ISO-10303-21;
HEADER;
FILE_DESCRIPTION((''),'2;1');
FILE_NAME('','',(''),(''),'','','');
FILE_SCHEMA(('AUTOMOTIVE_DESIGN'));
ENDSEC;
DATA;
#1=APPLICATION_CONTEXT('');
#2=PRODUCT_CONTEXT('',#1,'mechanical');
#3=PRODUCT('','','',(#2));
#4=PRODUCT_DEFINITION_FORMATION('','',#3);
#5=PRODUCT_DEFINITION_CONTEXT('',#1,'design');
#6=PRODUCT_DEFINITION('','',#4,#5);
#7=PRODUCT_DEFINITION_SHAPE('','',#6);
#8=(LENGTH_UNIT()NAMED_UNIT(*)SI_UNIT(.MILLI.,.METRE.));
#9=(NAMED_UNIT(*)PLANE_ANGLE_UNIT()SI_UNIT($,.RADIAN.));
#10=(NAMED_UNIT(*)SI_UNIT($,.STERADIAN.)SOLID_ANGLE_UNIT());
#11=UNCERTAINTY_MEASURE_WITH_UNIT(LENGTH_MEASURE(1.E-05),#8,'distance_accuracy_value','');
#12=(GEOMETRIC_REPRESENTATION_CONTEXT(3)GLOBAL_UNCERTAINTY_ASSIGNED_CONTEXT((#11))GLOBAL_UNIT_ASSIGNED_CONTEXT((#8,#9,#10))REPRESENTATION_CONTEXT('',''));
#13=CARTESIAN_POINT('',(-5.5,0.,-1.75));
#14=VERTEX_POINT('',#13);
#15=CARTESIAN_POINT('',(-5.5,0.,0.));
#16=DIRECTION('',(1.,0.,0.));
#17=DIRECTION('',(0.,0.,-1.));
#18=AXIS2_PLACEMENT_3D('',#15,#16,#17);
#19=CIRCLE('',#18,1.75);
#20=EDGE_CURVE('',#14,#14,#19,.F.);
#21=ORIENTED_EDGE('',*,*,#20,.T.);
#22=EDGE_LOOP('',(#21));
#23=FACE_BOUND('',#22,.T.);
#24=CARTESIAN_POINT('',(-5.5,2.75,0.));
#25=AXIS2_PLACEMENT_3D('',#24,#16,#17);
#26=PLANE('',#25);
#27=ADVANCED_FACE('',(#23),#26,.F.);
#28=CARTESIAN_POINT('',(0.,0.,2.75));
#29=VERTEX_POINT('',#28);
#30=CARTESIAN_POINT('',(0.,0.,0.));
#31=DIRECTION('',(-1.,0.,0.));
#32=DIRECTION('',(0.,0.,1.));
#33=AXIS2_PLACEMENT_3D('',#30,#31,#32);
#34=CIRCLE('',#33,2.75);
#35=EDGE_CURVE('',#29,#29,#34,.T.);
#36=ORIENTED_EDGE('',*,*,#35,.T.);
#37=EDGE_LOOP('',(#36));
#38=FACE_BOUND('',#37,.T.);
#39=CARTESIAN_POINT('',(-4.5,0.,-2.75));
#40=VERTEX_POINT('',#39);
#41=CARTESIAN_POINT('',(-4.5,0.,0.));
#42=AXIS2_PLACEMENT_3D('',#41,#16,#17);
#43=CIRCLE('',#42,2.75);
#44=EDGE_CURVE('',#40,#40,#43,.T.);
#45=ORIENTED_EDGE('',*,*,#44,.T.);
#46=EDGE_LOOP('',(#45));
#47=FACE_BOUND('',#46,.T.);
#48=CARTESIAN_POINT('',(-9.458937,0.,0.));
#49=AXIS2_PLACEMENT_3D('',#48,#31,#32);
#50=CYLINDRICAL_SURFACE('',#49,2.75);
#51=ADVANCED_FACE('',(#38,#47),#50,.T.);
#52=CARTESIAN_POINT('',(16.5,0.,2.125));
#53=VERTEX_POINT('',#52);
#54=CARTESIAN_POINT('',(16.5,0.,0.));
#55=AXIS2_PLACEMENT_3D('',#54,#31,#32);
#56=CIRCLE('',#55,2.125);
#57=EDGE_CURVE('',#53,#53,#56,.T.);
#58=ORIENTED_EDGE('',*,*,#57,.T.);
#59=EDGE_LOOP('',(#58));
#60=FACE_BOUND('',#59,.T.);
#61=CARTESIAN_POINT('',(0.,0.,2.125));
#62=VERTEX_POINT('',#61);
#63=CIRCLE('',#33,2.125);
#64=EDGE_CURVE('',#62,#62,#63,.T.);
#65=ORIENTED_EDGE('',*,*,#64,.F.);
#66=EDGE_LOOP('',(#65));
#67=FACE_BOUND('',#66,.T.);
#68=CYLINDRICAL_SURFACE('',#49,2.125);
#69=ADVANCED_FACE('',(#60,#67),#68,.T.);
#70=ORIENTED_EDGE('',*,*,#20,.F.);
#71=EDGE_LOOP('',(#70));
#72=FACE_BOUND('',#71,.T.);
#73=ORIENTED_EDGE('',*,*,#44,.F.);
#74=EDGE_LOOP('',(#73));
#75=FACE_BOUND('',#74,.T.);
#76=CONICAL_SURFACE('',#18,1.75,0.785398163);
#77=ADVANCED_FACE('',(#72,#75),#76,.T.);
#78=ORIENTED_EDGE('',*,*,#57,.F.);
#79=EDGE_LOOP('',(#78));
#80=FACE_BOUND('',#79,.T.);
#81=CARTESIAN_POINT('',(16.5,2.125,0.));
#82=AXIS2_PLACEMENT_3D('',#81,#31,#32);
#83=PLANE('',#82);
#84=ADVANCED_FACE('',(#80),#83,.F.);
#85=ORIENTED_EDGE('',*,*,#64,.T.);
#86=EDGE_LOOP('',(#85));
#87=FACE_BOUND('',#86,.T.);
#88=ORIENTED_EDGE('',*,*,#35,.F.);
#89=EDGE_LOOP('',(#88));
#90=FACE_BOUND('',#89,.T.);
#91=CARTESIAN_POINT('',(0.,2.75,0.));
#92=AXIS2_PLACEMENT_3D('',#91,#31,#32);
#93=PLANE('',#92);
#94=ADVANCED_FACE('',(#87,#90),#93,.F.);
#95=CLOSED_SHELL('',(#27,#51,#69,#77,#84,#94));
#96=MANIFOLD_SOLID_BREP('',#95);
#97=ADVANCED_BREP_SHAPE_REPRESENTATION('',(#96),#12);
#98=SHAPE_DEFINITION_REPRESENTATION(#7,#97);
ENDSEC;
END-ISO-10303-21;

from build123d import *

# Parameters (mm, degrees)
CHAMFER1_SIZE = 1


with BuildPart() as part:
    # Sketch1 → Revolve1 (revolve)
    with BuildSketch(Plane.XY, mode=Mode.PRIVATE) as revolve1_sk:
        Polygon((0, 2.75), (-5.5, 2.75), (-5.5, 0), (16.5, 0), (16.5, 2.125), (0, 2.125), align=None)
    revolve(revolve1_sk.sketch.rotate(Axis((-9.458937198, 0, 0), (1, 0, 0)), 90), axis=Axis((-9.458937198, 0, 0), (1, 0, 0)))

    # Chamfer1
    chamfer1_edges = [part.edges().sort_by_distance(p)[0] for p in [
        (-5.5, 0, -2.75),
    ]]
    chamfer(chamfer1_edges, length=CHAMFER1_SIZE)


solid = part.part
